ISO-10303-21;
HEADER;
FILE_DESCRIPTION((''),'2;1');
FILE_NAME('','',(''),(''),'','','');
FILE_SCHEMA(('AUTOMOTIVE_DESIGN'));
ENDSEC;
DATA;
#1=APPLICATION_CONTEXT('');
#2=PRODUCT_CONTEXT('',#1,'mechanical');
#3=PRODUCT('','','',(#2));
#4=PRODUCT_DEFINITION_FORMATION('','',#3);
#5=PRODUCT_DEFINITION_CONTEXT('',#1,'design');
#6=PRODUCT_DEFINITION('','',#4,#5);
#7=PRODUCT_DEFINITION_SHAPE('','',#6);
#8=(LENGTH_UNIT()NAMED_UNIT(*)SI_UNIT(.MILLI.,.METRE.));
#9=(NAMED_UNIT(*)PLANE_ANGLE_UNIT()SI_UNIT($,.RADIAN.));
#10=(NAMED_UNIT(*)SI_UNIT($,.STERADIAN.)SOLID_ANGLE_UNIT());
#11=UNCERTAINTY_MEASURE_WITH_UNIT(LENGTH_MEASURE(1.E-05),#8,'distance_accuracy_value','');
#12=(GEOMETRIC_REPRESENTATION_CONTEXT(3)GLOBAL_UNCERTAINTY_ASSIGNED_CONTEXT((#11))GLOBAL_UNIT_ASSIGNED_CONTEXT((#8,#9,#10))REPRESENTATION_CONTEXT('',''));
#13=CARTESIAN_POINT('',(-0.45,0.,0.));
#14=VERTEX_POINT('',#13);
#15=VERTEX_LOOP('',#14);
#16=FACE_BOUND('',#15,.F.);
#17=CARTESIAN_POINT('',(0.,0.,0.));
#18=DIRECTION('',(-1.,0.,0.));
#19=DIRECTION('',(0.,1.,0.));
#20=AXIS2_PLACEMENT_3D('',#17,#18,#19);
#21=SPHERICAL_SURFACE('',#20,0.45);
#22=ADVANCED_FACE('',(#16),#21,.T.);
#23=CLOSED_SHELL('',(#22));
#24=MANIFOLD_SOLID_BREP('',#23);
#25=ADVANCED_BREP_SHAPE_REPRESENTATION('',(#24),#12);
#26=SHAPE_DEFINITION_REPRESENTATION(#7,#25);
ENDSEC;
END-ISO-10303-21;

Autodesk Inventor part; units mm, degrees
sketch "Sketch_1" plane through (0, 0, 0) normal (0, 0, 1) x (1, 0, 0)
  line L0 (0.45, 0) -> (-0.45, 0)
  arc A0 (0.45, 0) -> (-0.45, 0) centre (0, 0) ccw
  line L1 (0.45, 0) -> (-0.45, 0)
revolve "Revolution1" add sketch "Sketch_1" angle 360 about axis through (0.45, 0, 0) along (1, 0, 0)
ref_plane "ip_st_1_XY" through (0, 0, 0) normal (-1, 0, 0) x (0, 0, -1)
ref_plane "ip_st_1_YZ" through (0, 0, 0) normal (0, 0, -1) x (0, -1, 0)
ref_plane "ip_st_1_ZX" through (0, 0, 0) normal (0, -1, 0) x (-1, 0, 0)
properties part number "MF85ZZ Ball"
